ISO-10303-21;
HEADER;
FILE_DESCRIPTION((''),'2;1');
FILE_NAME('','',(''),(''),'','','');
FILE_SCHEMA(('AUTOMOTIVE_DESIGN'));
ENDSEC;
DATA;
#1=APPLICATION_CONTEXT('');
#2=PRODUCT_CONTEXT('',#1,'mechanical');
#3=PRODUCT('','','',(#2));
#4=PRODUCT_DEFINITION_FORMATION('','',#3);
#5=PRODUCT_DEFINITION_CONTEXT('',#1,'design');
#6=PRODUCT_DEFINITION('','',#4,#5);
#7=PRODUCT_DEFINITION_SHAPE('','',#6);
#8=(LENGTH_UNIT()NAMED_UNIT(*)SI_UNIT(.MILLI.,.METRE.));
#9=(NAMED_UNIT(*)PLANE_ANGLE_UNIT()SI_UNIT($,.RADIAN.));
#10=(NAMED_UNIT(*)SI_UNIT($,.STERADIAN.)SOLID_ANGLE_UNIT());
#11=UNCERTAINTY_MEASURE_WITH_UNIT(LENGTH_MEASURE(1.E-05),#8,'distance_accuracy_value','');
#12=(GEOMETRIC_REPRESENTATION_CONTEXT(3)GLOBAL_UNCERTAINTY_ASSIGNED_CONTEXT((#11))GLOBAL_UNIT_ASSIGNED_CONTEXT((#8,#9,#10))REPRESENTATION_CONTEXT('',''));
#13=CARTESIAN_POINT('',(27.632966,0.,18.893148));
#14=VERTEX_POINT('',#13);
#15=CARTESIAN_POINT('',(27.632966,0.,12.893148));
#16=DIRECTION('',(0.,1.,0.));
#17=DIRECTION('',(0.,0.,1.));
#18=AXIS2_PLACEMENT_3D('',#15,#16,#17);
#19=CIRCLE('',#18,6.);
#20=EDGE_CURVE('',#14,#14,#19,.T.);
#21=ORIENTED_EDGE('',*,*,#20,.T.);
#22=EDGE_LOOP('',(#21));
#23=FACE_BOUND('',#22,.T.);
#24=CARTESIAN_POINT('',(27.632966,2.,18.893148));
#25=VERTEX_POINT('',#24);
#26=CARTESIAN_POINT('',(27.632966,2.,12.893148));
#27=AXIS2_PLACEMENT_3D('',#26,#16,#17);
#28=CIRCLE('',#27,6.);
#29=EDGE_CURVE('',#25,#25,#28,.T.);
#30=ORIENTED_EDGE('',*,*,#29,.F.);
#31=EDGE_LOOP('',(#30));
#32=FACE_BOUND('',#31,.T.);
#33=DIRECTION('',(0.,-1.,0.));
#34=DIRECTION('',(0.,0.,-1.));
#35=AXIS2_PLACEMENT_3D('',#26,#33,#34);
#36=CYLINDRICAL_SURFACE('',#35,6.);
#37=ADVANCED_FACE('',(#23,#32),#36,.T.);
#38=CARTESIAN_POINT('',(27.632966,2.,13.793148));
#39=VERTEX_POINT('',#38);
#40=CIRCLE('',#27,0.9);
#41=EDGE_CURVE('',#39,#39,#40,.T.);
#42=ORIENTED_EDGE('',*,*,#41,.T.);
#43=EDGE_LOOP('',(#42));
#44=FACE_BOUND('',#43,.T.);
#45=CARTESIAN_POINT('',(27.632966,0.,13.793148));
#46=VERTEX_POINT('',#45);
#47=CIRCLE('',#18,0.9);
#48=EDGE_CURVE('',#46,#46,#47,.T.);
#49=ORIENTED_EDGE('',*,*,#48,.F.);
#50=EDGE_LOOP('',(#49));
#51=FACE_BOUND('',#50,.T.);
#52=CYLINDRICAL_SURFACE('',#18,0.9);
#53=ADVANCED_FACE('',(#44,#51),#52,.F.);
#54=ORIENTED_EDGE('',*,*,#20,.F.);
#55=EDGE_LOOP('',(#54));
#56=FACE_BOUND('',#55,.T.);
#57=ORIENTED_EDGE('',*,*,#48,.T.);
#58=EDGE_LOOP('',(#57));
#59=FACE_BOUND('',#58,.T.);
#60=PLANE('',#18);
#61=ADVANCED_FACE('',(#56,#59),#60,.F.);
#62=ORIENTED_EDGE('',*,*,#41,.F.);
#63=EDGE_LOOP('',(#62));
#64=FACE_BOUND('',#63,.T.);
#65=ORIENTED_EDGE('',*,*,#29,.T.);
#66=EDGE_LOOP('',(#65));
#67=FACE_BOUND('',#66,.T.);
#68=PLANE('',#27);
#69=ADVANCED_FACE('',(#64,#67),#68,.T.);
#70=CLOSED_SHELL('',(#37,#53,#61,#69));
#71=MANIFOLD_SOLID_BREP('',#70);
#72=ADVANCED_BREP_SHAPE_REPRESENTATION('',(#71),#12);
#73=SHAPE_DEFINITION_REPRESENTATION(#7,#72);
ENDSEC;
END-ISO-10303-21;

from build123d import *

# Parameters (mm, degrees)
SKETCH1_R           = 6
BOSS_EXTRUDE1_DEPTH = 2
SKETCH2_R           = 0.9
CUT_EXTRUDE1_DEPTH  = 2


with BuildPart() as part:
    # Sketch1 → Boss-Extrude1 (new body)
    with BuildSketch(Plane(origin=(0, 0, 0), x_dir=(1, 0, 0), z_dir=(0, 1, 0))):
        with Locations(Location((27.632966471, -12.893147965, 0), (0, 0, 270))):
            Circle(SKETCH1_R)
    extrude(amount=BOSS_EXTRUDE1_DEPTH)

    # Sketch2 → Cut-Extrude1 (cut)
    with BuildSketch(Plane(origin=(0, 2, 0), x_dir=(1, 0, 0), z_dir=(0, 1, 0))):
        with Locations(Location((27.632966471, -12.893147965, 0), (0, 0, 270))):
            Circle(SKETCH2_R)
    extrude(amount=-CUT_EXTRUDE1_DEPTH, mode=Mode.SUBTRACT)


solid = part.part
